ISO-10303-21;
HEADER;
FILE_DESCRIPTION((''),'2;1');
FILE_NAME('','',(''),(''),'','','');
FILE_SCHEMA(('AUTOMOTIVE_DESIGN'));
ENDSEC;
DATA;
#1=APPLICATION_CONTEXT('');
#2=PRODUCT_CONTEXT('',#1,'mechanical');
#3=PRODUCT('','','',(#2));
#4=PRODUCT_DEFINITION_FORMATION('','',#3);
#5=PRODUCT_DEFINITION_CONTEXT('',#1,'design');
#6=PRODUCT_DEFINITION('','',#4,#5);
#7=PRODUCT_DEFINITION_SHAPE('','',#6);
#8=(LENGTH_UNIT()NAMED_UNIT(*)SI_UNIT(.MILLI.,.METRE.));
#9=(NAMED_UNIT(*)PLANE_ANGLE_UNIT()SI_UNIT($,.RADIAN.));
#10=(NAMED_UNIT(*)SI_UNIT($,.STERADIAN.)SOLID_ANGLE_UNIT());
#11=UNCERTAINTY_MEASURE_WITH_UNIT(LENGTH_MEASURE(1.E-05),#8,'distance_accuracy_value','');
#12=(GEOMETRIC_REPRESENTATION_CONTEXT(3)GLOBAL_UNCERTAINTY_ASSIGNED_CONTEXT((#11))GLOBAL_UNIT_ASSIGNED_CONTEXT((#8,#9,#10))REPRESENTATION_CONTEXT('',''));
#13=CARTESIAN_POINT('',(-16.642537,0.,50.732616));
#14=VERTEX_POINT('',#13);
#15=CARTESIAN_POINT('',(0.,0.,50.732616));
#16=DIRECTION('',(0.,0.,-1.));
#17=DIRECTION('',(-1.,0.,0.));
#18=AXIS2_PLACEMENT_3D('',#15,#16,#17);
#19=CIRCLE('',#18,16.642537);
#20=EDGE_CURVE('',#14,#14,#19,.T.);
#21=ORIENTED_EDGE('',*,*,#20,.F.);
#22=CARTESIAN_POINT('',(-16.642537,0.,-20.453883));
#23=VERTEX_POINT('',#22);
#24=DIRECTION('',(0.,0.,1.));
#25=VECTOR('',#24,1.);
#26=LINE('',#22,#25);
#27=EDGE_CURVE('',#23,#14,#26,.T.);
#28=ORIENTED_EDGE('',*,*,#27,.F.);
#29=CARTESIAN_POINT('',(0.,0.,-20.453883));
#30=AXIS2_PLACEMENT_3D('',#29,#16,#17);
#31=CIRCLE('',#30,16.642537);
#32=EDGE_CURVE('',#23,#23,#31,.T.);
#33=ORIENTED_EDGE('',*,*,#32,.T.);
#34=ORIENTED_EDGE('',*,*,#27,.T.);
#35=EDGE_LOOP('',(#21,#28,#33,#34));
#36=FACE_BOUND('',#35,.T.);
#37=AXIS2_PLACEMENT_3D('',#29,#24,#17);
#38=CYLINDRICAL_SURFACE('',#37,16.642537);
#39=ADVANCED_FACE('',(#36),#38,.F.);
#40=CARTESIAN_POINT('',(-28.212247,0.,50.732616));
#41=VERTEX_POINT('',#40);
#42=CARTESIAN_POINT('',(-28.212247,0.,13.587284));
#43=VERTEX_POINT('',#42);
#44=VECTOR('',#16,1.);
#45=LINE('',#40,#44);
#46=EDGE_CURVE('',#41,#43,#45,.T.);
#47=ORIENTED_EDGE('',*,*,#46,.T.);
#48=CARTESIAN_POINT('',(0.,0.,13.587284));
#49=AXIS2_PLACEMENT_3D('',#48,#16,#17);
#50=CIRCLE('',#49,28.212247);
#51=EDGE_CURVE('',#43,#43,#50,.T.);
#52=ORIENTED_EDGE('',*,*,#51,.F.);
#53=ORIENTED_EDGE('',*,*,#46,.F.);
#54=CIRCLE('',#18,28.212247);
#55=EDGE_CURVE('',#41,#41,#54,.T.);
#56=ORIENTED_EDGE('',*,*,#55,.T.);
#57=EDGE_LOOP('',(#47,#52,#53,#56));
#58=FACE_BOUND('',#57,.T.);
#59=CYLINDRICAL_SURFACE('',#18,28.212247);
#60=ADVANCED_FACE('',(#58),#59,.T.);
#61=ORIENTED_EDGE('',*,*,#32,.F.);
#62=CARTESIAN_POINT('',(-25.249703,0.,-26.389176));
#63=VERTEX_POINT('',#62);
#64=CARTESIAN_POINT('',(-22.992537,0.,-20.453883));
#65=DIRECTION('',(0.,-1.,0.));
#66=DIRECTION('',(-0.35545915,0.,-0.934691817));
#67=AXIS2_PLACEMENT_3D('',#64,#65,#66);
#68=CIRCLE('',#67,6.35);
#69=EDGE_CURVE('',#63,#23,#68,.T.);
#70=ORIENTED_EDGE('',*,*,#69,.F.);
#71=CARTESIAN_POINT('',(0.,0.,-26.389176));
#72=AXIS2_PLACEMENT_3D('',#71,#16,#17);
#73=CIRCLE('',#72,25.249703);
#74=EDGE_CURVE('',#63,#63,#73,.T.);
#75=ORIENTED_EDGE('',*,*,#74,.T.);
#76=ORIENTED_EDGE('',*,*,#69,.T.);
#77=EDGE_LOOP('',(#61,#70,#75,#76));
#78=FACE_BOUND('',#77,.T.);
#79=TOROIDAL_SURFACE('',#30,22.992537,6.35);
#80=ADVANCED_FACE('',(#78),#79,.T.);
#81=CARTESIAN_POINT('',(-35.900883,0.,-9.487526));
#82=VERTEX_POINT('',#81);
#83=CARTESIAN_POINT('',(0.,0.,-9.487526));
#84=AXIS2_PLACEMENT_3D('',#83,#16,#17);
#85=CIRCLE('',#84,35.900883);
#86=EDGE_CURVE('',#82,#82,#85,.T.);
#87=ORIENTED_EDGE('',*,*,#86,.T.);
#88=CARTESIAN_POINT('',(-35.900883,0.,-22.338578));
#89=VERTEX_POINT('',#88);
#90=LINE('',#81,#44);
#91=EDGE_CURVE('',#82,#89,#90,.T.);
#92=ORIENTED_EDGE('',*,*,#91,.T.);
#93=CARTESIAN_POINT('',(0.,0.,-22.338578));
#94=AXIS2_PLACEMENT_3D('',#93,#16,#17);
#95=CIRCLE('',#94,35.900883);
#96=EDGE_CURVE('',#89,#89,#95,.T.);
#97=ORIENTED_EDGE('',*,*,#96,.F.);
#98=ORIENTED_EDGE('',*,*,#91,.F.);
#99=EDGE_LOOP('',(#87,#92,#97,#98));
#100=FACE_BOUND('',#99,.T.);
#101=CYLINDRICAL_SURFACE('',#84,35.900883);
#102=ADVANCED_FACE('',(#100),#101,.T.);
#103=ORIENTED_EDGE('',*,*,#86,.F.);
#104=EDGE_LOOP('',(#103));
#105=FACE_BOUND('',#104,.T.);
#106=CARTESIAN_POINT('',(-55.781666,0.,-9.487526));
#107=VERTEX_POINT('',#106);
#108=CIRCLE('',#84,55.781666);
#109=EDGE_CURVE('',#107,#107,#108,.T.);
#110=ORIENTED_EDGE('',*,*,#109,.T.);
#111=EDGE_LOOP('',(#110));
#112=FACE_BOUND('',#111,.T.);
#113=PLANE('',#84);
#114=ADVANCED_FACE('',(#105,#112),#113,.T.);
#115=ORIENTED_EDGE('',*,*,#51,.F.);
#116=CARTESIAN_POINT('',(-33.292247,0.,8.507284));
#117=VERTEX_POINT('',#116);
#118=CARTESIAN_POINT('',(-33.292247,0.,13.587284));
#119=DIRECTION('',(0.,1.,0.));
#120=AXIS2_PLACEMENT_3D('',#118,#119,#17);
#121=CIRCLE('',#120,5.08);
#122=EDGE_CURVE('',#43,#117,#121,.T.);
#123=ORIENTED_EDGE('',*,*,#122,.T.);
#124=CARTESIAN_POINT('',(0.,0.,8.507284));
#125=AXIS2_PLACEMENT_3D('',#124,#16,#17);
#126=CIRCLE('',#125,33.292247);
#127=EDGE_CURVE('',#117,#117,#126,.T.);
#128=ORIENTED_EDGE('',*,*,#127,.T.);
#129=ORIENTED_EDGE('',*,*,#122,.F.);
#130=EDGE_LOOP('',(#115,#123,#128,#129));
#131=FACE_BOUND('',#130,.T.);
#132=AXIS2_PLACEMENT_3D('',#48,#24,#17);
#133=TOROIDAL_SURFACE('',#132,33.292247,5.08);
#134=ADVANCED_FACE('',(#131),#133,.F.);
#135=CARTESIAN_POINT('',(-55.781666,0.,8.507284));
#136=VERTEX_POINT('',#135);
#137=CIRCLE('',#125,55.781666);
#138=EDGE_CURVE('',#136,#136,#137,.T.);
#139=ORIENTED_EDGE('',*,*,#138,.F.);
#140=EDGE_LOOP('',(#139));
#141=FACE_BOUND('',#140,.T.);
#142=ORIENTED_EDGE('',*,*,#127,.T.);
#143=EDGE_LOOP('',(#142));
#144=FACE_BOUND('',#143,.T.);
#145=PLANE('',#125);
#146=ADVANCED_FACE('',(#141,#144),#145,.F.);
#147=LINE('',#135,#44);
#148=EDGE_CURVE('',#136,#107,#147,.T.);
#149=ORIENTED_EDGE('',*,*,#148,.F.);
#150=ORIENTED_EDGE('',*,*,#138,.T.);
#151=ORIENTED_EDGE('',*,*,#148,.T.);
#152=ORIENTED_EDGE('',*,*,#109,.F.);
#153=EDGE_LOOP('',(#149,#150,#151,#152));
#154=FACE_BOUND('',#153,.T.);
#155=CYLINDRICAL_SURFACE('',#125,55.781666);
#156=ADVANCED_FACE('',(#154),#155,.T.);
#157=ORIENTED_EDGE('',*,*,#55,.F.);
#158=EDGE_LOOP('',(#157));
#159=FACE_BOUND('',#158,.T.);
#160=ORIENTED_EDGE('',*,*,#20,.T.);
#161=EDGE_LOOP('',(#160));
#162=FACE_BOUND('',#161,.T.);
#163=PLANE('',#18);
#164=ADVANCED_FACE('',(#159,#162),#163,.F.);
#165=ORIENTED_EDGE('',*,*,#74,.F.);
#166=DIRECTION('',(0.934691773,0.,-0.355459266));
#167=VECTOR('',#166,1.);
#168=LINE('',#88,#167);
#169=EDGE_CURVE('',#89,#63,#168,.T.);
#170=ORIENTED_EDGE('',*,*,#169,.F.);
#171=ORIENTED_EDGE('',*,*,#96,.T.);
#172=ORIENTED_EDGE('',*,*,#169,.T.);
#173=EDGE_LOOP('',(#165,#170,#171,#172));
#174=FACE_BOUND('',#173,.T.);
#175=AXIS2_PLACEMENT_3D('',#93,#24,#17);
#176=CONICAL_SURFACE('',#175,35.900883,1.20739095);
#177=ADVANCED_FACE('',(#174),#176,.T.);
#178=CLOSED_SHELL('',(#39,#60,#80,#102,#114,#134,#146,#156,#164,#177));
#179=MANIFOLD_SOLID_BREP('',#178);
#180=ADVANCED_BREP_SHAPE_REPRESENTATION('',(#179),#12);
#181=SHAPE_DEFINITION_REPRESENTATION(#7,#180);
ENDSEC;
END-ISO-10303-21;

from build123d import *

# Parameters (mm, degrees)
F3_R = 5.08


with BuildPart() as f2:
    # F1 (on Front) → F2 (revolve)
    with BuildSketch(Plane.XZ):
        with BuildLine():
            Line((-16.642537, 50.732616), (-28.212247, 50.732616))
            Line((-28.212247, 50.732616), (-28.212247, 8.507284))
            Line((-28.212247, 8.507284), (-55.781666, 8.507284))
            Line((-55.781666, 8.507284), (-55.781666, -9.487526))
            Line((-55.781666, -9.487526), (-35.900883, -9.487526))
            Line((-35.900883, -9.487526), (-35.900883, -22.338578))
            Line((-35.900883, -22.338578), (-25.249703, -26.389176))
            ThreePointArc((-25.249703, -26.389176), (-19.387714, -25.681478), (-16.642537, -20.453883))
            Line((-16.642537, -20.453883), (-16.642537, 50.732616))
        make_face()
    revolve(axis=Axis((0, 0, -25.752651), (0, 0, -1)))

    # F3
    f3_edges = [f2.edges().sort_by_distance(p)[0] for p in [
        (28.212247, 0, 8.507284),
    ]]
    fillet(f3_edges, radius=F3_R)


solid = f2.part
